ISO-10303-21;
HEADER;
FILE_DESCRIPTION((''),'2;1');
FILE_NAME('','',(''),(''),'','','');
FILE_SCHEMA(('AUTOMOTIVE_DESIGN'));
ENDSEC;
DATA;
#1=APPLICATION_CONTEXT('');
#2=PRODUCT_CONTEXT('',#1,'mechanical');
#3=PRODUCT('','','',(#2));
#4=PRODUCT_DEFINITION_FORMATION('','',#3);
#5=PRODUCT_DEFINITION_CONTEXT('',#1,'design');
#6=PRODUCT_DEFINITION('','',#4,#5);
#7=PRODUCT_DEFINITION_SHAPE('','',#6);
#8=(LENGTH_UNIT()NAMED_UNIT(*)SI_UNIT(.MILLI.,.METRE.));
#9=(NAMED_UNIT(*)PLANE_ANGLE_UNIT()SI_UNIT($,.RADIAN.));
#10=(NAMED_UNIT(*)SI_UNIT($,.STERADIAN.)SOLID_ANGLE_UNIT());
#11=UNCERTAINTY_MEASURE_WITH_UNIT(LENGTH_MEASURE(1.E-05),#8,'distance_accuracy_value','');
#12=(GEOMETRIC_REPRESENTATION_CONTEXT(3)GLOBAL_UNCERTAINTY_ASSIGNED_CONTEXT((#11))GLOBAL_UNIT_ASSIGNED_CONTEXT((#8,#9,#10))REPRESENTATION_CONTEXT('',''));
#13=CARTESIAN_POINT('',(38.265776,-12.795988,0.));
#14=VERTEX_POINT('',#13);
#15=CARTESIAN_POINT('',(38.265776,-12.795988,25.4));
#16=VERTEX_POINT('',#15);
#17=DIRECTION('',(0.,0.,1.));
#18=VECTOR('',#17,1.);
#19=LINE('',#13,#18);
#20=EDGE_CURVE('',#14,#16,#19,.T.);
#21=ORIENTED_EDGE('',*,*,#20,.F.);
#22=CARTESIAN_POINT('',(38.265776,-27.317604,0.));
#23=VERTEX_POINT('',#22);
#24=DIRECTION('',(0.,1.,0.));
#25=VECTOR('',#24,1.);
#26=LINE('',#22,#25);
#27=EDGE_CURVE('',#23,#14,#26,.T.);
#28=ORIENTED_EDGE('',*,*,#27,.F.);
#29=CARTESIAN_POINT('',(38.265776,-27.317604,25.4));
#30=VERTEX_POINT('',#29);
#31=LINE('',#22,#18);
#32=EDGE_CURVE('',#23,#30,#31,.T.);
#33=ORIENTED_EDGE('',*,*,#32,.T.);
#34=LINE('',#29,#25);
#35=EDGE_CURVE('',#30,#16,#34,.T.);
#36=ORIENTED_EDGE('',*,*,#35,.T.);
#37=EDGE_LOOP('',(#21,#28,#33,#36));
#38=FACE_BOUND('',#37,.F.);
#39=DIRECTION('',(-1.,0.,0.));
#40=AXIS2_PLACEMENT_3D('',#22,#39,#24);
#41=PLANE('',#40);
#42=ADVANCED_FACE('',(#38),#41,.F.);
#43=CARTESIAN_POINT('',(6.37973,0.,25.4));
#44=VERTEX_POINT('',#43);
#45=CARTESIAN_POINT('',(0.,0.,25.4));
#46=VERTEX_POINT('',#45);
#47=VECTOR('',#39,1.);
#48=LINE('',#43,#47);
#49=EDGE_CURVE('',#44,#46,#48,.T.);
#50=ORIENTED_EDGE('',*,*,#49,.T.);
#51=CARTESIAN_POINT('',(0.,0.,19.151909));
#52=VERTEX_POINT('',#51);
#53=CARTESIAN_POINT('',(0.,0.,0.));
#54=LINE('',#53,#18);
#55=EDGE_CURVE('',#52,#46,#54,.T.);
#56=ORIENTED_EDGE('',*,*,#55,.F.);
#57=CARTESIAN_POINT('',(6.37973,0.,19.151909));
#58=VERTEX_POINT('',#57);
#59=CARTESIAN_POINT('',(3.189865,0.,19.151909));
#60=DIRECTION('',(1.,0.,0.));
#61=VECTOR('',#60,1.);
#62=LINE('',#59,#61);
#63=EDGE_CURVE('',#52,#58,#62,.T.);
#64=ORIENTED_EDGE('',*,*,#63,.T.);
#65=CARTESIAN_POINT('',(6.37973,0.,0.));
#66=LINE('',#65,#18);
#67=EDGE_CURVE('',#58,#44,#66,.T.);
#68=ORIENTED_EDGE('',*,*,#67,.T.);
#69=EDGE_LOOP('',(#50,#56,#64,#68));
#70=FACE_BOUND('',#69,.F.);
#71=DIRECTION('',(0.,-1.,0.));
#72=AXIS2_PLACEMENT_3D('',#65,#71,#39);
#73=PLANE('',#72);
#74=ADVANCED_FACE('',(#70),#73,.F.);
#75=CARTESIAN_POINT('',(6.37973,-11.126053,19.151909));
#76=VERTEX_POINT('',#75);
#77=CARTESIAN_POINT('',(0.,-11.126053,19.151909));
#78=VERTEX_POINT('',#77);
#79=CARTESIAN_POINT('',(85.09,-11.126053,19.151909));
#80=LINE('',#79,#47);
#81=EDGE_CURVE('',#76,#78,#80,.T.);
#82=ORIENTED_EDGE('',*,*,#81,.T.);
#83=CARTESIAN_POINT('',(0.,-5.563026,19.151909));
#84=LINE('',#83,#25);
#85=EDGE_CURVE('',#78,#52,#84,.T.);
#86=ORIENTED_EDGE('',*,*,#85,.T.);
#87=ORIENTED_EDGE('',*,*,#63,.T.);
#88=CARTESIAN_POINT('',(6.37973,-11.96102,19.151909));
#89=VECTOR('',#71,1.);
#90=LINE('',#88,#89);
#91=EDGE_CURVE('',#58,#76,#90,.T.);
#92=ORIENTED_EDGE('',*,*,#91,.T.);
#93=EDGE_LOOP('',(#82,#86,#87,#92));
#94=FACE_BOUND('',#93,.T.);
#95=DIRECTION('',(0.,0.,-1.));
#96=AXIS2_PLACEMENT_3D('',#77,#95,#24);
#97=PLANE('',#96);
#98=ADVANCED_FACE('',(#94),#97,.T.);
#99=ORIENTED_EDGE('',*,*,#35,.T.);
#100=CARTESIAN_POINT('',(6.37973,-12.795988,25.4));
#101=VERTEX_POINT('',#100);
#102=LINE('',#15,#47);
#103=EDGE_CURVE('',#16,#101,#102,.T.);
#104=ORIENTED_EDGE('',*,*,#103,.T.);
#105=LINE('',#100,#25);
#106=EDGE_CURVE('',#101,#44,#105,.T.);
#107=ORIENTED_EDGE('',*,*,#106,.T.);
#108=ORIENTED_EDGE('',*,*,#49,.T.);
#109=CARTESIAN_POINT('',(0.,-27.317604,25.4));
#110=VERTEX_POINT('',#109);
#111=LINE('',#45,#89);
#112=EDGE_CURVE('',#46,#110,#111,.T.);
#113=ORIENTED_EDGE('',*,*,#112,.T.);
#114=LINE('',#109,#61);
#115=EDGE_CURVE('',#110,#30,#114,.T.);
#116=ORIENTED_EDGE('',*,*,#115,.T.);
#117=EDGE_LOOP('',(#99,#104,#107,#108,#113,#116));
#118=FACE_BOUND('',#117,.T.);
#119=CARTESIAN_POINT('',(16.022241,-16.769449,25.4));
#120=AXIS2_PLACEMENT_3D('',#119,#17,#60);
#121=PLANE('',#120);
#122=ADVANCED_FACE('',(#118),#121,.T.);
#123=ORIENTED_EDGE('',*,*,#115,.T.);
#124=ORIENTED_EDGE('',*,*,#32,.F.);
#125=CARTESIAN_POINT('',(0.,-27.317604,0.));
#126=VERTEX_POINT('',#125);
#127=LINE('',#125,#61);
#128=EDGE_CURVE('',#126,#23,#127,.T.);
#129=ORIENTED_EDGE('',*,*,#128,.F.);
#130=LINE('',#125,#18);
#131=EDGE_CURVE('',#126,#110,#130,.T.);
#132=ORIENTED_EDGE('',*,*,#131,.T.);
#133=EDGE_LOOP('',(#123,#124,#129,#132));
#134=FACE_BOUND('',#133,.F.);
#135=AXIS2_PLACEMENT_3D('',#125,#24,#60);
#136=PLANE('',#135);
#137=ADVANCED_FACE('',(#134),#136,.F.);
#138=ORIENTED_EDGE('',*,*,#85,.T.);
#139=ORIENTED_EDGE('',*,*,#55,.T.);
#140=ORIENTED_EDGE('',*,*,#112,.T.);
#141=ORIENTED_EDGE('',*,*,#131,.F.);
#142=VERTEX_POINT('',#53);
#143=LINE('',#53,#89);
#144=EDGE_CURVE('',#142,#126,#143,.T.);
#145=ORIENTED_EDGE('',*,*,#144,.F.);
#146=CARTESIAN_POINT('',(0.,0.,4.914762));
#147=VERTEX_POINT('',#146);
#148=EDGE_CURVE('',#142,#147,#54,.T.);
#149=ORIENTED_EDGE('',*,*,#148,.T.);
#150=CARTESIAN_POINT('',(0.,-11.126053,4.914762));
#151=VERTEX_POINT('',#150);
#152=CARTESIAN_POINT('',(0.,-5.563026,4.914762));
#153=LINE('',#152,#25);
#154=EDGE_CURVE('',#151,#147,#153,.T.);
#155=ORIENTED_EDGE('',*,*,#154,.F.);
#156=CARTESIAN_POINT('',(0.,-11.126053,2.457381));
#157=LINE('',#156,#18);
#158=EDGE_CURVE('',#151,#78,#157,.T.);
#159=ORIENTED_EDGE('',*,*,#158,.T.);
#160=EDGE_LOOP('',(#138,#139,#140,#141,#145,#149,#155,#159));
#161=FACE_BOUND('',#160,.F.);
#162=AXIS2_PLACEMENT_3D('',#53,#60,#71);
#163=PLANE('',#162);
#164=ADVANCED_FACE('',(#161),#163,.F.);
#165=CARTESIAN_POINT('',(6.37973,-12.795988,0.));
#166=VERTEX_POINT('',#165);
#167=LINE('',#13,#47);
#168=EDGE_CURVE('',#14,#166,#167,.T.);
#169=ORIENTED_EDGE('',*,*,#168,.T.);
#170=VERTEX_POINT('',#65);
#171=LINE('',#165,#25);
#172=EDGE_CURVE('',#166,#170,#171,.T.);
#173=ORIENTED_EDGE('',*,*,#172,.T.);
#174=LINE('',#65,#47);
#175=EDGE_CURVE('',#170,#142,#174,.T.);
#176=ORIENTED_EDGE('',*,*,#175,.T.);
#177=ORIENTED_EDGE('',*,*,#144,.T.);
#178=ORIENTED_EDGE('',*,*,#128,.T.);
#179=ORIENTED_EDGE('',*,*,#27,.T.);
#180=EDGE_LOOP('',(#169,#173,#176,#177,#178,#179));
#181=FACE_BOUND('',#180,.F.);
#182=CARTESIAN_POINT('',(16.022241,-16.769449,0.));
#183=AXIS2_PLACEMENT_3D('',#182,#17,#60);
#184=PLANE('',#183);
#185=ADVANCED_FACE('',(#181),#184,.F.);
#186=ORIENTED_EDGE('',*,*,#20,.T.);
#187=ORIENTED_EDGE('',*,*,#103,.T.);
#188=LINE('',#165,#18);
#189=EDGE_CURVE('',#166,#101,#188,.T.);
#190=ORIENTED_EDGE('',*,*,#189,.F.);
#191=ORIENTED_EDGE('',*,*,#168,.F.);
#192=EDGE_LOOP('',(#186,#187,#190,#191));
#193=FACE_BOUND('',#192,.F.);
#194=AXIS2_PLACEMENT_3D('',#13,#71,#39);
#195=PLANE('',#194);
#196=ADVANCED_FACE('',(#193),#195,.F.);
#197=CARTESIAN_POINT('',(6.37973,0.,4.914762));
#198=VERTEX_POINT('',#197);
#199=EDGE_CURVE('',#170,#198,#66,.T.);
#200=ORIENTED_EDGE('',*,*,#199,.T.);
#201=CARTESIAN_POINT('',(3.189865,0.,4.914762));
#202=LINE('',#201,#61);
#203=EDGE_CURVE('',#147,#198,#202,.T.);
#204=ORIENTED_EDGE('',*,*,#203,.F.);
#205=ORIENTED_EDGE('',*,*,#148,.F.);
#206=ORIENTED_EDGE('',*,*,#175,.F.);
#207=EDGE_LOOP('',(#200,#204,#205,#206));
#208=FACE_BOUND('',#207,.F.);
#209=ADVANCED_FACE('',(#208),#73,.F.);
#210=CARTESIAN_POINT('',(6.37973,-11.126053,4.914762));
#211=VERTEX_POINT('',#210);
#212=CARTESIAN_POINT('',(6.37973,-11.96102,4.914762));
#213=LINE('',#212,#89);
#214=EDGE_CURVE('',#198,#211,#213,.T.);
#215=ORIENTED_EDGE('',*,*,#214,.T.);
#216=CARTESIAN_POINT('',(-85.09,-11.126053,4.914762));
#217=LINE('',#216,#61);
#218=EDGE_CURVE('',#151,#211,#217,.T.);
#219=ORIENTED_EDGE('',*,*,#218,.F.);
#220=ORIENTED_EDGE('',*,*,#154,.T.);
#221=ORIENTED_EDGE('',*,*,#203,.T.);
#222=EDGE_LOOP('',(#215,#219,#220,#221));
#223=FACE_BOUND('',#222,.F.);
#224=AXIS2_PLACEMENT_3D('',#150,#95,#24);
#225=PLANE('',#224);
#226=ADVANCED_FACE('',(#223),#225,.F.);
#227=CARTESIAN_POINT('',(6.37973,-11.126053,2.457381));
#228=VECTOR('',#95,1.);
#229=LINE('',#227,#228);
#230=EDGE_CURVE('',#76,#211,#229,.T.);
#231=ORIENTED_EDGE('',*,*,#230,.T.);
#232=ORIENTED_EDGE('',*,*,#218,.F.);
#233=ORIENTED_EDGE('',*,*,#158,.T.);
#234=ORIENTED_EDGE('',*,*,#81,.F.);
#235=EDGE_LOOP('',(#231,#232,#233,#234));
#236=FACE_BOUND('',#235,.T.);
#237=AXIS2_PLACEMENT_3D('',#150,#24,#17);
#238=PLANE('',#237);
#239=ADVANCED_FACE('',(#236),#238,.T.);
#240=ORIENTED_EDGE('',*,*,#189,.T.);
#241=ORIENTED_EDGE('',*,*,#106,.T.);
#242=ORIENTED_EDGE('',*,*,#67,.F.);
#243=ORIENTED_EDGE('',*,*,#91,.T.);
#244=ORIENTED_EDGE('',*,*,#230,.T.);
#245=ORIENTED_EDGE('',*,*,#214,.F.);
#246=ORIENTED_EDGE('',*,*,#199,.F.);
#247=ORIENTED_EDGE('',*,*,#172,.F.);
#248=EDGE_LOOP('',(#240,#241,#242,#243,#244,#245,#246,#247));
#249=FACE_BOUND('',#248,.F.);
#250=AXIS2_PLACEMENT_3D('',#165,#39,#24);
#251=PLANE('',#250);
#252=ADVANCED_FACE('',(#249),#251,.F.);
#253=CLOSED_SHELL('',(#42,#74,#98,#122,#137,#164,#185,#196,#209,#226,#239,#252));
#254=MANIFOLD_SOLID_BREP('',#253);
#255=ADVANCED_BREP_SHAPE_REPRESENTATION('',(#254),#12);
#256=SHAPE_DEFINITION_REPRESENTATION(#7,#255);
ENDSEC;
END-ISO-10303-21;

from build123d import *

# Parameters (mm, degrees)
F1_DEPTH = 25.4
F2_W     = 11.126053
F2_H     = 14.237147
F3_DEPTH = 85.09


with BuildPart() as f1:
    # F0 (on Top) → F1 (new body)
    with BuildSketch(Plane.XY):
        Polygon((6.37973, 0), (0, 0), (0, -27.317604), (38.265776, -27.317604), (38.265776, -12.795988), (6.37973, -12.795988), align=None)
    extrude(amount=F1_DEPTH)

    # F2 (on Right) → F3 (cut, symmetric)
    with BuildSketch(Plane.YZ):
        with Locations((-5.563026, 12.033335)):
            Rectangle(F2_W, F2_H)
    extrude(amount=F3_DEPTH, both=True, mode=Mode.SUBTRACT)


solid = f1.part
